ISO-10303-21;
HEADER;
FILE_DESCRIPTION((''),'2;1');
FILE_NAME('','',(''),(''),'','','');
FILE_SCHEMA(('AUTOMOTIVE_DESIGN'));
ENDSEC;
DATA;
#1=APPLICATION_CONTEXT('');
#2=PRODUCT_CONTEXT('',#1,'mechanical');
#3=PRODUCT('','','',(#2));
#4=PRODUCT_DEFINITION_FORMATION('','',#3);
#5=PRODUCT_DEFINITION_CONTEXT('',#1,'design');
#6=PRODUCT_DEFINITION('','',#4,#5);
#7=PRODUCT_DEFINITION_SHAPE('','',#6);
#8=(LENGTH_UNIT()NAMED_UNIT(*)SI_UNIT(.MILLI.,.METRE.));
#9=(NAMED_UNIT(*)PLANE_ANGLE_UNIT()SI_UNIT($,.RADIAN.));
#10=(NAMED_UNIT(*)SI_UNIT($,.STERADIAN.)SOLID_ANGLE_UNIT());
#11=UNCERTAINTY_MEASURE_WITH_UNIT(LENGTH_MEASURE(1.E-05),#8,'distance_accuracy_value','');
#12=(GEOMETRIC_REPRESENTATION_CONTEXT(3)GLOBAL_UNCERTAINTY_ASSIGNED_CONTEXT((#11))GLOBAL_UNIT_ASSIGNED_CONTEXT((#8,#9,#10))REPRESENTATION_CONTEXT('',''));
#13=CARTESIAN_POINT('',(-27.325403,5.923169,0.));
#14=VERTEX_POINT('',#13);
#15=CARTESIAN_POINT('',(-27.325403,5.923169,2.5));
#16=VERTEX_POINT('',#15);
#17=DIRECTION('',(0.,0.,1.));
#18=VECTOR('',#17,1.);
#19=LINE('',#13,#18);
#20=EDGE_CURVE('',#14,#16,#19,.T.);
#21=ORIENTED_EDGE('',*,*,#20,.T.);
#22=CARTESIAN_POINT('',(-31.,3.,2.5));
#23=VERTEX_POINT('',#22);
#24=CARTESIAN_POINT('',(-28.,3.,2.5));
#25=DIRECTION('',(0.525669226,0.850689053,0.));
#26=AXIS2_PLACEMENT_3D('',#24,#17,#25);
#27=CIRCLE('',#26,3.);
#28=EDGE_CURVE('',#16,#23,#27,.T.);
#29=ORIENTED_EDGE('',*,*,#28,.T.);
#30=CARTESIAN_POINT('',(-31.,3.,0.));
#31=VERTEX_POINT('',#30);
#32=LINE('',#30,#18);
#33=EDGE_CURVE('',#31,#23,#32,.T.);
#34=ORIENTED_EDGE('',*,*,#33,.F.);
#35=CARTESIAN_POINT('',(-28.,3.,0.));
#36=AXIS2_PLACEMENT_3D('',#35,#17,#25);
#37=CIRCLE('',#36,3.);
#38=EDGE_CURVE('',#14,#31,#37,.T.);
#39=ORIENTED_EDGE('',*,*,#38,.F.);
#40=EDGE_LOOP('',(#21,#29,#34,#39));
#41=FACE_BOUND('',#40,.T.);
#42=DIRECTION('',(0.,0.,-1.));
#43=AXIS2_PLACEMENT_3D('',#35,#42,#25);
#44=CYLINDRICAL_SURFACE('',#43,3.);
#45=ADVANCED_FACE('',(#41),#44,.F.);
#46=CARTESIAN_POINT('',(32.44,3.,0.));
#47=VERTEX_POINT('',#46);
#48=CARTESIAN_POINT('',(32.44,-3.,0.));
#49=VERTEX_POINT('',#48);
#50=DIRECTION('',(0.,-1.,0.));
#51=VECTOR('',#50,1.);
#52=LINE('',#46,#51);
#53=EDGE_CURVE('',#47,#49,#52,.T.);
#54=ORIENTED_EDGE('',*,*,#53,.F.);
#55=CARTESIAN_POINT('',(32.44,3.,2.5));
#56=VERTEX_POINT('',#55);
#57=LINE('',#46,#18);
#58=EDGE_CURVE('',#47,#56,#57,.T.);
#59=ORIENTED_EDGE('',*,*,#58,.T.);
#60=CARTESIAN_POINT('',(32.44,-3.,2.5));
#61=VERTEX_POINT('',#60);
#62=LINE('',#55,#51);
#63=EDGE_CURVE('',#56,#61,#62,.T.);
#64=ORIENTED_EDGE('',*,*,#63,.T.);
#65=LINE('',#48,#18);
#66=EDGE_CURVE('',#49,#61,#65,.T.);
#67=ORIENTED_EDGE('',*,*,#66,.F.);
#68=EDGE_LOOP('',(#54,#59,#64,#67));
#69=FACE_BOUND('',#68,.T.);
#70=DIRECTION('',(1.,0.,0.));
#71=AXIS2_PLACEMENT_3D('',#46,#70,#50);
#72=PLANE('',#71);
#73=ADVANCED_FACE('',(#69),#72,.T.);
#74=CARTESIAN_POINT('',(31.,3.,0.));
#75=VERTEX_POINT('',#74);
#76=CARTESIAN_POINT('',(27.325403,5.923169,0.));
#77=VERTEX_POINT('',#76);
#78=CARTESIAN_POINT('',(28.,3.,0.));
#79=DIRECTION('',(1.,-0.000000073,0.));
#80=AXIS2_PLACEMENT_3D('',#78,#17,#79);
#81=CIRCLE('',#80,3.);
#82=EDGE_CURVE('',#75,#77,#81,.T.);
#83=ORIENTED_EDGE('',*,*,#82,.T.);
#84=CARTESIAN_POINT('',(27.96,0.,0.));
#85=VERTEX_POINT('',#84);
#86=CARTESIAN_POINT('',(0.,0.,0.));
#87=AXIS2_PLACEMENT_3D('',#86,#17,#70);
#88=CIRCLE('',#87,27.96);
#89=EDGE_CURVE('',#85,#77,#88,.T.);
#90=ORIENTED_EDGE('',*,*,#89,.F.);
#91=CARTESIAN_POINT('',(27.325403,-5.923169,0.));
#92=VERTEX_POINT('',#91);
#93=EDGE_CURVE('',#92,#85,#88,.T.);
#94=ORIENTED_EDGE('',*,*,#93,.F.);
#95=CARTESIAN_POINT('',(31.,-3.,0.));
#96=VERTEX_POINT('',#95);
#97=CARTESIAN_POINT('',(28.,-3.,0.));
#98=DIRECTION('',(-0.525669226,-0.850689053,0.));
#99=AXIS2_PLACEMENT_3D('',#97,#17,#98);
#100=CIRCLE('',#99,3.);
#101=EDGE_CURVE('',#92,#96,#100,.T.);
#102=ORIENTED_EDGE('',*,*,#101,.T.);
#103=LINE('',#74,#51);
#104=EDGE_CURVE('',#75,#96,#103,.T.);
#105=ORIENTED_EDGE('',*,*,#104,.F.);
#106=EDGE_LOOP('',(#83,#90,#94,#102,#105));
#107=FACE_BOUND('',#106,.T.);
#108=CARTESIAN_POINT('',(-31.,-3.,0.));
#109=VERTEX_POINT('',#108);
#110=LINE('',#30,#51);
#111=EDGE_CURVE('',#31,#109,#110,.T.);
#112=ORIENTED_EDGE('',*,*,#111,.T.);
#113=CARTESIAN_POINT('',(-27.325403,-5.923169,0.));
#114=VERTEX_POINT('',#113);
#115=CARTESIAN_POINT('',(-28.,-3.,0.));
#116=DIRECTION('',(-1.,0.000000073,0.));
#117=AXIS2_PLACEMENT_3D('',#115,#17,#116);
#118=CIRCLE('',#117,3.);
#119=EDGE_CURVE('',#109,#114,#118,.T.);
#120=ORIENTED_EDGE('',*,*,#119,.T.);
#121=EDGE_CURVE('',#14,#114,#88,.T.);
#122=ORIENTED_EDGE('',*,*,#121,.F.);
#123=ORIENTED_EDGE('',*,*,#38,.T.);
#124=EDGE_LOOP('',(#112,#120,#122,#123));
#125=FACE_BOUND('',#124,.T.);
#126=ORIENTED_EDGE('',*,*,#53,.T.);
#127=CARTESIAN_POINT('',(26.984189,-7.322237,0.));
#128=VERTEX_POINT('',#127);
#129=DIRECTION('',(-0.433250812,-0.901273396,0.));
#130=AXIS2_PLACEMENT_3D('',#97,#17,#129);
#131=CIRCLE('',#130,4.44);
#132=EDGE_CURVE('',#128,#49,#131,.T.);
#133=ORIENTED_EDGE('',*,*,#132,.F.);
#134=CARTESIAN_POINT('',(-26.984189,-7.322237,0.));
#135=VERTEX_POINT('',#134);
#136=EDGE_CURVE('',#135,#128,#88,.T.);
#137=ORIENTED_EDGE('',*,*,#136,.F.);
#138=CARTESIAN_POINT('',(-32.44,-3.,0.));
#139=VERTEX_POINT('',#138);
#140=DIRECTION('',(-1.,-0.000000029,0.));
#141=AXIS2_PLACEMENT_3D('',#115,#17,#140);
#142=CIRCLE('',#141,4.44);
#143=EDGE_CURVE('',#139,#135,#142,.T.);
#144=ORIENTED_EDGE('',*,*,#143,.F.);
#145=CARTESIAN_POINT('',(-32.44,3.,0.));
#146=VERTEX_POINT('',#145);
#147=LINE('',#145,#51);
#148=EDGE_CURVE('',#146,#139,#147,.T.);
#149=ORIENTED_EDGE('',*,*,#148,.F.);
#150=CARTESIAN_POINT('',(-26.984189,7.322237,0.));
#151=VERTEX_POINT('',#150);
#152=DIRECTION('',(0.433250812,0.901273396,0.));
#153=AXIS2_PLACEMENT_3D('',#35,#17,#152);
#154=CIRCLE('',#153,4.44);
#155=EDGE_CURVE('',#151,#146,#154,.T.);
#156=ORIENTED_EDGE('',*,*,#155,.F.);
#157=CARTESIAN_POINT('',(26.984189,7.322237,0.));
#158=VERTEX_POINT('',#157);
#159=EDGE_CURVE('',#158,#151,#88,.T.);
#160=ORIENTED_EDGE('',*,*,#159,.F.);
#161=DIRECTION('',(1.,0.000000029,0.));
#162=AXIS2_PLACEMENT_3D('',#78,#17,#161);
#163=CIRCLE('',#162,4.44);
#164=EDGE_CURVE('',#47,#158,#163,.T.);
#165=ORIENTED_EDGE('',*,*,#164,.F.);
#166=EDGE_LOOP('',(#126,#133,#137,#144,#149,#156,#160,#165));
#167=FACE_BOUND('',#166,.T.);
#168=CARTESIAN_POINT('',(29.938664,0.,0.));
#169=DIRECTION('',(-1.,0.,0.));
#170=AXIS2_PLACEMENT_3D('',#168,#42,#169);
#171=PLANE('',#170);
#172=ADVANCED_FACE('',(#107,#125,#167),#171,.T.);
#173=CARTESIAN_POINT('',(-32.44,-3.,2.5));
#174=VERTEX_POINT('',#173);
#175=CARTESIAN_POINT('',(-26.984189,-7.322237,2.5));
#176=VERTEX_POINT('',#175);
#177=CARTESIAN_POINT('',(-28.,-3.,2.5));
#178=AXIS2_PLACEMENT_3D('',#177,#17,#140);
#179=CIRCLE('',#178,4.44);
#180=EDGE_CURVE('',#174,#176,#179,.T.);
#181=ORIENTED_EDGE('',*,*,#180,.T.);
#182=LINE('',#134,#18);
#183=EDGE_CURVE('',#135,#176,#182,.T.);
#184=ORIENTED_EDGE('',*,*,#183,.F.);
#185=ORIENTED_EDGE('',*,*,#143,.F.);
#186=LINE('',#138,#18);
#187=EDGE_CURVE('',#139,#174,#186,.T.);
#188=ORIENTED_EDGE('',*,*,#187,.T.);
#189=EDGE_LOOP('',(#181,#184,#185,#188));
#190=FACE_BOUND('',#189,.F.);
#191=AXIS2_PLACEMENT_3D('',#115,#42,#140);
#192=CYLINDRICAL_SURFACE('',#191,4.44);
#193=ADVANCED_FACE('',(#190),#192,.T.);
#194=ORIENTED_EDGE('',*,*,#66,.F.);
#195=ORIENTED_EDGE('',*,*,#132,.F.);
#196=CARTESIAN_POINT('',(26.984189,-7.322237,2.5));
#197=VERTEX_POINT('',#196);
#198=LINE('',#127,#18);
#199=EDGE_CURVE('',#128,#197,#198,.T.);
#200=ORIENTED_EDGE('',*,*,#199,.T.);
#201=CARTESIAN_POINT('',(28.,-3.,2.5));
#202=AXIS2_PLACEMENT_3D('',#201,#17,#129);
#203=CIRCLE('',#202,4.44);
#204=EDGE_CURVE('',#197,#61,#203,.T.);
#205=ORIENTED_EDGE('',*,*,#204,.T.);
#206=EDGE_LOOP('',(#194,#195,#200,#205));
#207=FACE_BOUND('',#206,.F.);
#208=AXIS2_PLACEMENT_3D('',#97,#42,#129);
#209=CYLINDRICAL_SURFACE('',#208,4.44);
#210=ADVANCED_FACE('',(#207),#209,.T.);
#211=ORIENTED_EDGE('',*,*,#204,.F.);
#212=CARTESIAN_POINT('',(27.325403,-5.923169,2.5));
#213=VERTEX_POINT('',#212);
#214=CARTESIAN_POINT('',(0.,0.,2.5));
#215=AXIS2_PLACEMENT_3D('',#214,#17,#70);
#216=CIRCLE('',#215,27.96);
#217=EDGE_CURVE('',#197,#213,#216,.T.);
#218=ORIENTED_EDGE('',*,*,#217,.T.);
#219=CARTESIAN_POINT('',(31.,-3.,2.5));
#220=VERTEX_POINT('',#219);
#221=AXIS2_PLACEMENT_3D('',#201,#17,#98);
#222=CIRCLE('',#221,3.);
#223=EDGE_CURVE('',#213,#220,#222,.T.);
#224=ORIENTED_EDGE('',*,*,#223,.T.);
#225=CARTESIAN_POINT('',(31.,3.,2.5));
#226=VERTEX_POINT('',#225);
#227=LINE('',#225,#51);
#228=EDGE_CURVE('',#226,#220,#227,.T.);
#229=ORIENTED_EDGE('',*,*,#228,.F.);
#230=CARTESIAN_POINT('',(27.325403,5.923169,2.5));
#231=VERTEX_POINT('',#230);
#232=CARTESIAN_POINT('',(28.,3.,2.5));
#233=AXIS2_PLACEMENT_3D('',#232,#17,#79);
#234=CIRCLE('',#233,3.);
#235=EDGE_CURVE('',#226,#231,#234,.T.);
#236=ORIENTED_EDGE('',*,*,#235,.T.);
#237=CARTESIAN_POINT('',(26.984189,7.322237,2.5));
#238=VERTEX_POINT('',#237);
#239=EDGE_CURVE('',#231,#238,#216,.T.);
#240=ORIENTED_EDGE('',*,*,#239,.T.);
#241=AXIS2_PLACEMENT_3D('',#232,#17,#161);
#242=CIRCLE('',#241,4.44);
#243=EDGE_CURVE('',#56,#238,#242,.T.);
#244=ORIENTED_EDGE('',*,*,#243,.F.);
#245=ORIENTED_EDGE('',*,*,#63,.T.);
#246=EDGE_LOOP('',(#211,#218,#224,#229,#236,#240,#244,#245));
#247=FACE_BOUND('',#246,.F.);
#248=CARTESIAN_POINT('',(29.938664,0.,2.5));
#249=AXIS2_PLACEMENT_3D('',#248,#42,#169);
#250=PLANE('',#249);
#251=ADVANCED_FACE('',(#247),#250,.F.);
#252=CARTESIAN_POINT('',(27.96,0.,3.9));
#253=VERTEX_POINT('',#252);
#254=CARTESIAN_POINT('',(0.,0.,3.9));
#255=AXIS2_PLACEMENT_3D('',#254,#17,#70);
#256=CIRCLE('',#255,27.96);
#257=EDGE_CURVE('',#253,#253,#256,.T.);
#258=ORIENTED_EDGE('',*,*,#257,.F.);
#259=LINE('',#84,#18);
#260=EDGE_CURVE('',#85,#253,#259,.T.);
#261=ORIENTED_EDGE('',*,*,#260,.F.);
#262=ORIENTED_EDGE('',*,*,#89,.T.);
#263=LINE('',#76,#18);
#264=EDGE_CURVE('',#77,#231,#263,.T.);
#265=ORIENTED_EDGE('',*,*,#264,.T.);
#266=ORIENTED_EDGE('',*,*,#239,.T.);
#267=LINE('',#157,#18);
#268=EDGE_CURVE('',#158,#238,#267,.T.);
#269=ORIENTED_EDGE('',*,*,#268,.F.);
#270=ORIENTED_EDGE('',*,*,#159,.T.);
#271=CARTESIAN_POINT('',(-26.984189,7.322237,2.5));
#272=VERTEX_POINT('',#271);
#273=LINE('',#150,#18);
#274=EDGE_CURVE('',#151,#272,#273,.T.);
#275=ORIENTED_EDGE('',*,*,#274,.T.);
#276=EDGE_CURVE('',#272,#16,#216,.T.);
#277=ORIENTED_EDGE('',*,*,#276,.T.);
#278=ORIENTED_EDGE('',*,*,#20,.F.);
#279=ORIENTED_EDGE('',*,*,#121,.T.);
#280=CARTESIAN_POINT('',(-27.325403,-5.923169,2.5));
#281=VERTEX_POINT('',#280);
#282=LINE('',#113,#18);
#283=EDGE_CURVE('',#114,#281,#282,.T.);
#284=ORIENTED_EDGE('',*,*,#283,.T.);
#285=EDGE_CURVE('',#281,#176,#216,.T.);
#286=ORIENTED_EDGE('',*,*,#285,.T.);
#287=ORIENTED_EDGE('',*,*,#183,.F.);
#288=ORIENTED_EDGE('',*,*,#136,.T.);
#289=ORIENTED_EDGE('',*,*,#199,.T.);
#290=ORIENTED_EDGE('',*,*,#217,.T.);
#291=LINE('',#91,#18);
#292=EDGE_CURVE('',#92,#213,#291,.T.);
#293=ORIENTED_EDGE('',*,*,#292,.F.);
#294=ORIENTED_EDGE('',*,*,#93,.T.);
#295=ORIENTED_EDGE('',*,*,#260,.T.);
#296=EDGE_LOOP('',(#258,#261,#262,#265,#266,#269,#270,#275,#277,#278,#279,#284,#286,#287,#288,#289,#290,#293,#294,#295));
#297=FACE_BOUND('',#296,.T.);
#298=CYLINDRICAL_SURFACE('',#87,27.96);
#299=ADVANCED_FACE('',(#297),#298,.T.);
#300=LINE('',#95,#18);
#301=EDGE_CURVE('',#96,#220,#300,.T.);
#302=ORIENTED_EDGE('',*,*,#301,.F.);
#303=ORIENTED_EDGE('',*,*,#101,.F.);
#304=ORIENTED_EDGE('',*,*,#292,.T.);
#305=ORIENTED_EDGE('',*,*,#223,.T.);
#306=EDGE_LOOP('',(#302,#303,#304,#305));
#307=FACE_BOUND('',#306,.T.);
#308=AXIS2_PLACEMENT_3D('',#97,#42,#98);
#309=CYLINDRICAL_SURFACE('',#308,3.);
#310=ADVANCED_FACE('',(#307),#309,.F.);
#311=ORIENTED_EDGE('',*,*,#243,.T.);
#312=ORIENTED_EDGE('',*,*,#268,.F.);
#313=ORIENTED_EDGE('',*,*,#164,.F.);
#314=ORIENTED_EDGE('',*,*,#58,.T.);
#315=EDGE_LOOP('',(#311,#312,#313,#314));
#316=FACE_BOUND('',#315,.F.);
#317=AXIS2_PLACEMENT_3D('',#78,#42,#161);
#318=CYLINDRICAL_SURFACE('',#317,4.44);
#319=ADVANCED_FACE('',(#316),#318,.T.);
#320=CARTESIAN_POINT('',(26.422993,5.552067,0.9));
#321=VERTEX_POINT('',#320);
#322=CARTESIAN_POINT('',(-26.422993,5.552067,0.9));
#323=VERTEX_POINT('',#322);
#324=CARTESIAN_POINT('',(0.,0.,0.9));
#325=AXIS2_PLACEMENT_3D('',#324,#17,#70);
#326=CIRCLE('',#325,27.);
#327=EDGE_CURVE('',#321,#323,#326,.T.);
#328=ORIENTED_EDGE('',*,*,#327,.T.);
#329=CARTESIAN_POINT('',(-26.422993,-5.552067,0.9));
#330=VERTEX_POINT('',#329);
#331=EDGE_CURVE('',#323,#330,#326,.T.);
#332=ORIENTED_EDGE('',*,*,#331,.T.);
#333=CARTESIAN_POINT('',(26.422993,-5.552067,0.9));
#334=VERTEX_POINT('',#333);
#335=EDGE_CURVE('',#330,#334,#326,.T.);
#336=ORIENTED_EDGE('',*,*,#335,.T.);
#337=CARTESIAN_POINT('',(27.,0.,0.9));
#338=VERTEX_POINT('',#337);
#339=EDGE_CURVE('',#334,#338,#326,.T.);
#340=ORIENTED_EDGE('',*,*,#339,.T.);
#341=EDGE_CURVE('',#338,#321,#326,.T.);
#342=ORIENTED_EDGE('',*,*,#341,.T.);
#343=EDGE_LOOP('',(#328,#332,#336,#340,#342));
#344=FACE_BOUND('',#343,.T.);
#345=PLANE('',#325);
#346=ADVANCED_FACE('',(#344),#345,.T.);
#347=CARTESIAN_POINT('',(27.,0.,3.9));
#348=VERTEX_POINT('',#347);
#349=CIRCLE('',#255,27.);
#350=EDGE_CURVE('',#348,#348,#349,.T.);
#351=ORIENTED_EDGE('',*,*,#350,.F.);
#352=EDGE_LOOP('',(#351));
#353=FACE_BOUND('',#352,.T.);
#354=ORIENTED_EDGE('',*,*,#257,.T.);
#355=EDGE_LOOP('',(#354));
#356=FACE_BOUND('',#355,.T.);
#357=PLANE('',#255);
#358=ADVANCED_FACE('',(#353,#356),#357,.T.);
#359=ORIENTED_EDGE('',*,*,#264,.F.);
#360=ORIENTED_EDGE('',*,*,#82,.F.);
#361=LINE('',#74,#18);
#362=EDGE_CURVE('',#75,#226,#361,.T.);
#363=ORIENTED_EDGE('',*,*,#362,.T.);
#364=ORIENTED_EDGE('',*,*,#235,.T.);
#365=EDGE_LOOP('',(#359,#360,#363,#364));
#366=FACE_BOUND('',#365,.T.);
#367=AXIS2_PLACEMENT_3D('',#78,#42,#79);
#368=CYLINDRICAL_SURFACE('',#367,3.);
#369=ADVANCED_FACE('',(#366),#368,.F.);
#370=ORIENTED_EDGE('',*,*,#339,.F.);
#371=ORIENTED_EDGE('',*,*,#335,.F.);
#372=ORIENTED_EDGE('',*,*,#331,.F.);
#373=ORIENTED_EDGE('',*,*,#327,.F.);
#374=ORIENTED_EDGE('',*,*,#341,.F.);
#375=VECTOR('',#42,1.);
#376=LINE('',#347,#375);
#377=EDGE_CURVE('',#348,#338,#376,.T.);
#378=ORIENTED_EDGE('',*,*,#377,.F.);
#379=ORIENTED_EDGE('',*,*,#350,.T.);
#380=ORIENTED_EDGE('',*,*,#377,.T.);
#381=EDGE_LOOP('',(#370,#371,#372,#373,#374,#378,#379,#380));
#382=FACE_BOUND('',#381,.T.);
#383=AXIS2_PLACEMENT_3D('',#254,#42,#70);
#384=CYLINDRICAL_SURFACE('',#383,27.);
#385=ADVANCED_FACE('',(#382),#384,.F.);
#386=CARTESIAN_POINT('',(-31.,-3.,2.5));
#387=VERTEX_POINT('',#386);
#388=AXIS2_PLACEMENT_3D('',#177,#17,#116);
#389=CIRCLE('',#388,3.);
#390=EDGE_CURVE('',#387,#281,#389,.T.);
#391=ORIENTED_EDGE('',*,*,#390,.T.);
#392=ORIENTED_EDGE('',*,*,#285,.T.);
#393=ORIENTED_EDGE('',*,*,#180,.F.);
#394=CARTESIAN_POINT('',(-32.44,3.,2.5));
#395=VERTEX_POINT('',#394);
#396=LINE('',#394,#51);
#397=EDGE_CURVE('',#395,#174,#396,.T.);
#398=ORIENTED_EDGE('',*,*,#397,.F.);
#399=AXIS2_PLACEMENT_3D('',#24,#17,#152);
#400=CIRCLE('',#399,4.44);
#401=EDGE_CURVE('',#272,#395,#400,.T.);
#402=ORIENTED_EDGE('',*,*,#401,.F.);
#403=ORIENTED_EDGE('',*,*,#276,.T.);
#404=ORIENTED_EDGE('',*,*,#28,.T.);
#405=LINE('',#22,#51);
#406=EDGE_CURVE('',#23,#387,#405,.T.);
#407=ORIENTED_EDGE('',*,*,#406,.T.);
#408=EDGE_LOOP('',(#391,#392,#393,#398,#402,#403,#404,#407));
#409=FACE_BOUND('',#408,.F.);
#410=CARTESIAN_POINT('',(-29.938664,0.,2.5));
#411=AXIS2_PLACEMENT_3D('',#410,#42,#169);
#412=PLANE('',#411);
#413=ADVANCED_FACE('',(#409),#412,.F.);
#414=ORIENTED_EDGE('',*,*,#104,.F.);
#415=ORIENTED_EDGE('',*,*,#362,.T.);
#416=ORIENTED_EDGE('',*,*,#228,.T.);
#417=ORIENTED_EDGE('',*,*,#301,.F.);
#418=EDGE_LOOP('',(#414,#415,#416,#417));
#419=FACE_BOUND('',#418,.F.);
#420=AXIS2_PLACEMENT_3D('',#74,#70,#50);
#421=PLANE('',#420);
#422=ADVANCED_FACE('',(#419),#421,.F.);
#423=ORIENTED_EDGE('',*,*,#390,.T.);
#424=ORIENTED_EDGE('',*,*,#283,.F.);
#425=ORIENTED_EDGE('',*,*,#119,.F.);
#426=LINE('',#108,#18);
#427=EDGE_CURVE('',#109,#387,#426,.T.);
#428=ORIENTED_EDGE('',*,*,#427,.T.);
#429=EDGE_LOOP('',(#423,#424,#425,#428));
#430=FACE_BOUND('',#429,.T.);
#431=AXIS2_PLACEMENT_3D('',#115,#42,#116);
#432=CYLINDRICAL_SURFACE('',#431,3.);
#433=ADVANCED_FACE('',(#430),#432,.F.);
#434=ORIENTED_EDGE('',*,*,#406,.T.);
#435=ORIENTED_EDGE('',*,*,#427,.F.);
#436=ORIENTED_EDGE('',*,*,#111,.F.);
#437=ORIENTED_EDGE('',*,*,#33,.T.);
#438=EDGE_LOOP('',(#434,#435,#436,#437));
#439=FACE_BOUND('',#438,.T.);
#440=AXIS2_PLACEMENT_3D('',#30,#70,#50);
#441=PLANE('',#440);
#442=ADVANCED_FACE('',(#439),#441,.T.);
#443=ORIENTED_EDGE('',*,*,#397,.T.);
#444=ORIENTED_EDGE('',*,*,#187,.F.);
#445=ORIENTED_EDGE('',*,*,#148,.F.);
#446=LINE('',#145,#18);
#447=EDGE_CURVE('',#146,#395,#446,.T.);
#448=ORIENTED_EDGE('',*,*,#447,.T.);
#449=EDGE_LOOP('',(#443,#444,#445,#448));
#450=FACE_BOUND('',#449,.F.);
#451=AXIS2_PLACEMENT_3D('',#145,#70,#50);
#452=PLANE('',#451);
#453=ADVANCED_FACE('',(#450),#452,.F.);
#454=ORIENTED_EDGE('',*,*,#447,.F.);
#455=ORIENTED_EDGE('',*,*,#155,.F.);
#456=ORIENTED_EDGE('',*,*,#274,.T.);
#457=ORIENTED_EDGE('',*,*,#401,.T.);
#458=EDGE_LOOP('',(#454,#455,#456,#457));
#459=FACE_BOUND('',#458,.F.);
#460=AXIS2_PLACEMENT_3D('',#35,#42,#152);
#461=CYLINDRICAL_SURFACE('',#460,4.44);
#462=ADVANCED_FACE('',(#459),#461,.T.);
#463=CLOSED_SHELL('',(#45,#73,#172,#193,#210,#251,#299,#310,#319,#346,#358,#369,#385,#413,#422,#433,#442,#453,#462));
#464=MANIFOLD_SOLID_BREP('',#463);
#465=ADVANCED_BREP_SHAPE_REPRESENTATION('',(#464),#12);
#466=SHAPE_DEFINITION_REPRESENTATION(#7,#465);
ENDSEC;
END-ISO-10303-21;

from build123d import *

# Parameters (mm, degrees)
PAD_DEPTH = 2.5


with BuildPart() as part:
    # Sketch → Revolution (revolve)
    with BuildSketch(Plane.XZ):
        Polygon((0, 0), (27.96, 0), (27.96, 3.9), (27, 3.9), (27, 0.9), (0, 0.9), align=None)
    revolve(axis=Axis((0, 0, 0), (0, 0, 1)))

    # Sketch001 → Pad (new body)
    with BuildSketch(Plane.XY):
        with BuildLine():
            ThreePointArc((31, 3), (29.460989, 5.620212), (26.422993, 5.552067))
            ThreePointArc((26.422993, 5.552067), (26.259684, 6.279253), (26.076366, 7.001654))
            ThreePointArc((32.44, 3), (30.363542, 6.758626), (26.076366, 7.001654))
            Line((32.44, 3), (32.44, -3))
            ThreePointArc((26.076366, -7.001654), (30.363542, -6.758626), (32.44, -3))
            ThreePointArc((26.076366, -7.001654), (26.259684, -6.279253), (26.422993, -5.552067))
            ThreePointArc((26.422993, -5.552067), (29.460989, -5.620212), (31, -3))
            Line((31, 3), (31, -3))
        make_face()
        with BuildLine():
            ThreePointArc((-26.422993, 5.552067), (-29.460989, 5.620212), (-31, 3))
            Line((-31, 3), (-31, -3))
            ThreePointArc((-31, -3), (-29.460989, -5.620212), (-26.422993, -5.552067))
            ThreePointArc((-26.422993, -5.552067), (-26.259684, -6.279253), (-26.076366, -7.001654))
            ThreePointArc((-32.44, -3), (-30.363542, -6.758626), (-26.076366, -7.001654))
            Line((-32.44, 3), (-32.44, -3))
            ThreePointArc((-26.076366, 7.001654), (-30.363542, 6.758626), (-32.44, 3))
            ThreePointArc((-26.076366, 7.001654), (-26.259684, 6.279253), (-26.422993, 5.552067))
        make_face()
    extrude(amount=PAD_DEPTH)


solid = part.part
